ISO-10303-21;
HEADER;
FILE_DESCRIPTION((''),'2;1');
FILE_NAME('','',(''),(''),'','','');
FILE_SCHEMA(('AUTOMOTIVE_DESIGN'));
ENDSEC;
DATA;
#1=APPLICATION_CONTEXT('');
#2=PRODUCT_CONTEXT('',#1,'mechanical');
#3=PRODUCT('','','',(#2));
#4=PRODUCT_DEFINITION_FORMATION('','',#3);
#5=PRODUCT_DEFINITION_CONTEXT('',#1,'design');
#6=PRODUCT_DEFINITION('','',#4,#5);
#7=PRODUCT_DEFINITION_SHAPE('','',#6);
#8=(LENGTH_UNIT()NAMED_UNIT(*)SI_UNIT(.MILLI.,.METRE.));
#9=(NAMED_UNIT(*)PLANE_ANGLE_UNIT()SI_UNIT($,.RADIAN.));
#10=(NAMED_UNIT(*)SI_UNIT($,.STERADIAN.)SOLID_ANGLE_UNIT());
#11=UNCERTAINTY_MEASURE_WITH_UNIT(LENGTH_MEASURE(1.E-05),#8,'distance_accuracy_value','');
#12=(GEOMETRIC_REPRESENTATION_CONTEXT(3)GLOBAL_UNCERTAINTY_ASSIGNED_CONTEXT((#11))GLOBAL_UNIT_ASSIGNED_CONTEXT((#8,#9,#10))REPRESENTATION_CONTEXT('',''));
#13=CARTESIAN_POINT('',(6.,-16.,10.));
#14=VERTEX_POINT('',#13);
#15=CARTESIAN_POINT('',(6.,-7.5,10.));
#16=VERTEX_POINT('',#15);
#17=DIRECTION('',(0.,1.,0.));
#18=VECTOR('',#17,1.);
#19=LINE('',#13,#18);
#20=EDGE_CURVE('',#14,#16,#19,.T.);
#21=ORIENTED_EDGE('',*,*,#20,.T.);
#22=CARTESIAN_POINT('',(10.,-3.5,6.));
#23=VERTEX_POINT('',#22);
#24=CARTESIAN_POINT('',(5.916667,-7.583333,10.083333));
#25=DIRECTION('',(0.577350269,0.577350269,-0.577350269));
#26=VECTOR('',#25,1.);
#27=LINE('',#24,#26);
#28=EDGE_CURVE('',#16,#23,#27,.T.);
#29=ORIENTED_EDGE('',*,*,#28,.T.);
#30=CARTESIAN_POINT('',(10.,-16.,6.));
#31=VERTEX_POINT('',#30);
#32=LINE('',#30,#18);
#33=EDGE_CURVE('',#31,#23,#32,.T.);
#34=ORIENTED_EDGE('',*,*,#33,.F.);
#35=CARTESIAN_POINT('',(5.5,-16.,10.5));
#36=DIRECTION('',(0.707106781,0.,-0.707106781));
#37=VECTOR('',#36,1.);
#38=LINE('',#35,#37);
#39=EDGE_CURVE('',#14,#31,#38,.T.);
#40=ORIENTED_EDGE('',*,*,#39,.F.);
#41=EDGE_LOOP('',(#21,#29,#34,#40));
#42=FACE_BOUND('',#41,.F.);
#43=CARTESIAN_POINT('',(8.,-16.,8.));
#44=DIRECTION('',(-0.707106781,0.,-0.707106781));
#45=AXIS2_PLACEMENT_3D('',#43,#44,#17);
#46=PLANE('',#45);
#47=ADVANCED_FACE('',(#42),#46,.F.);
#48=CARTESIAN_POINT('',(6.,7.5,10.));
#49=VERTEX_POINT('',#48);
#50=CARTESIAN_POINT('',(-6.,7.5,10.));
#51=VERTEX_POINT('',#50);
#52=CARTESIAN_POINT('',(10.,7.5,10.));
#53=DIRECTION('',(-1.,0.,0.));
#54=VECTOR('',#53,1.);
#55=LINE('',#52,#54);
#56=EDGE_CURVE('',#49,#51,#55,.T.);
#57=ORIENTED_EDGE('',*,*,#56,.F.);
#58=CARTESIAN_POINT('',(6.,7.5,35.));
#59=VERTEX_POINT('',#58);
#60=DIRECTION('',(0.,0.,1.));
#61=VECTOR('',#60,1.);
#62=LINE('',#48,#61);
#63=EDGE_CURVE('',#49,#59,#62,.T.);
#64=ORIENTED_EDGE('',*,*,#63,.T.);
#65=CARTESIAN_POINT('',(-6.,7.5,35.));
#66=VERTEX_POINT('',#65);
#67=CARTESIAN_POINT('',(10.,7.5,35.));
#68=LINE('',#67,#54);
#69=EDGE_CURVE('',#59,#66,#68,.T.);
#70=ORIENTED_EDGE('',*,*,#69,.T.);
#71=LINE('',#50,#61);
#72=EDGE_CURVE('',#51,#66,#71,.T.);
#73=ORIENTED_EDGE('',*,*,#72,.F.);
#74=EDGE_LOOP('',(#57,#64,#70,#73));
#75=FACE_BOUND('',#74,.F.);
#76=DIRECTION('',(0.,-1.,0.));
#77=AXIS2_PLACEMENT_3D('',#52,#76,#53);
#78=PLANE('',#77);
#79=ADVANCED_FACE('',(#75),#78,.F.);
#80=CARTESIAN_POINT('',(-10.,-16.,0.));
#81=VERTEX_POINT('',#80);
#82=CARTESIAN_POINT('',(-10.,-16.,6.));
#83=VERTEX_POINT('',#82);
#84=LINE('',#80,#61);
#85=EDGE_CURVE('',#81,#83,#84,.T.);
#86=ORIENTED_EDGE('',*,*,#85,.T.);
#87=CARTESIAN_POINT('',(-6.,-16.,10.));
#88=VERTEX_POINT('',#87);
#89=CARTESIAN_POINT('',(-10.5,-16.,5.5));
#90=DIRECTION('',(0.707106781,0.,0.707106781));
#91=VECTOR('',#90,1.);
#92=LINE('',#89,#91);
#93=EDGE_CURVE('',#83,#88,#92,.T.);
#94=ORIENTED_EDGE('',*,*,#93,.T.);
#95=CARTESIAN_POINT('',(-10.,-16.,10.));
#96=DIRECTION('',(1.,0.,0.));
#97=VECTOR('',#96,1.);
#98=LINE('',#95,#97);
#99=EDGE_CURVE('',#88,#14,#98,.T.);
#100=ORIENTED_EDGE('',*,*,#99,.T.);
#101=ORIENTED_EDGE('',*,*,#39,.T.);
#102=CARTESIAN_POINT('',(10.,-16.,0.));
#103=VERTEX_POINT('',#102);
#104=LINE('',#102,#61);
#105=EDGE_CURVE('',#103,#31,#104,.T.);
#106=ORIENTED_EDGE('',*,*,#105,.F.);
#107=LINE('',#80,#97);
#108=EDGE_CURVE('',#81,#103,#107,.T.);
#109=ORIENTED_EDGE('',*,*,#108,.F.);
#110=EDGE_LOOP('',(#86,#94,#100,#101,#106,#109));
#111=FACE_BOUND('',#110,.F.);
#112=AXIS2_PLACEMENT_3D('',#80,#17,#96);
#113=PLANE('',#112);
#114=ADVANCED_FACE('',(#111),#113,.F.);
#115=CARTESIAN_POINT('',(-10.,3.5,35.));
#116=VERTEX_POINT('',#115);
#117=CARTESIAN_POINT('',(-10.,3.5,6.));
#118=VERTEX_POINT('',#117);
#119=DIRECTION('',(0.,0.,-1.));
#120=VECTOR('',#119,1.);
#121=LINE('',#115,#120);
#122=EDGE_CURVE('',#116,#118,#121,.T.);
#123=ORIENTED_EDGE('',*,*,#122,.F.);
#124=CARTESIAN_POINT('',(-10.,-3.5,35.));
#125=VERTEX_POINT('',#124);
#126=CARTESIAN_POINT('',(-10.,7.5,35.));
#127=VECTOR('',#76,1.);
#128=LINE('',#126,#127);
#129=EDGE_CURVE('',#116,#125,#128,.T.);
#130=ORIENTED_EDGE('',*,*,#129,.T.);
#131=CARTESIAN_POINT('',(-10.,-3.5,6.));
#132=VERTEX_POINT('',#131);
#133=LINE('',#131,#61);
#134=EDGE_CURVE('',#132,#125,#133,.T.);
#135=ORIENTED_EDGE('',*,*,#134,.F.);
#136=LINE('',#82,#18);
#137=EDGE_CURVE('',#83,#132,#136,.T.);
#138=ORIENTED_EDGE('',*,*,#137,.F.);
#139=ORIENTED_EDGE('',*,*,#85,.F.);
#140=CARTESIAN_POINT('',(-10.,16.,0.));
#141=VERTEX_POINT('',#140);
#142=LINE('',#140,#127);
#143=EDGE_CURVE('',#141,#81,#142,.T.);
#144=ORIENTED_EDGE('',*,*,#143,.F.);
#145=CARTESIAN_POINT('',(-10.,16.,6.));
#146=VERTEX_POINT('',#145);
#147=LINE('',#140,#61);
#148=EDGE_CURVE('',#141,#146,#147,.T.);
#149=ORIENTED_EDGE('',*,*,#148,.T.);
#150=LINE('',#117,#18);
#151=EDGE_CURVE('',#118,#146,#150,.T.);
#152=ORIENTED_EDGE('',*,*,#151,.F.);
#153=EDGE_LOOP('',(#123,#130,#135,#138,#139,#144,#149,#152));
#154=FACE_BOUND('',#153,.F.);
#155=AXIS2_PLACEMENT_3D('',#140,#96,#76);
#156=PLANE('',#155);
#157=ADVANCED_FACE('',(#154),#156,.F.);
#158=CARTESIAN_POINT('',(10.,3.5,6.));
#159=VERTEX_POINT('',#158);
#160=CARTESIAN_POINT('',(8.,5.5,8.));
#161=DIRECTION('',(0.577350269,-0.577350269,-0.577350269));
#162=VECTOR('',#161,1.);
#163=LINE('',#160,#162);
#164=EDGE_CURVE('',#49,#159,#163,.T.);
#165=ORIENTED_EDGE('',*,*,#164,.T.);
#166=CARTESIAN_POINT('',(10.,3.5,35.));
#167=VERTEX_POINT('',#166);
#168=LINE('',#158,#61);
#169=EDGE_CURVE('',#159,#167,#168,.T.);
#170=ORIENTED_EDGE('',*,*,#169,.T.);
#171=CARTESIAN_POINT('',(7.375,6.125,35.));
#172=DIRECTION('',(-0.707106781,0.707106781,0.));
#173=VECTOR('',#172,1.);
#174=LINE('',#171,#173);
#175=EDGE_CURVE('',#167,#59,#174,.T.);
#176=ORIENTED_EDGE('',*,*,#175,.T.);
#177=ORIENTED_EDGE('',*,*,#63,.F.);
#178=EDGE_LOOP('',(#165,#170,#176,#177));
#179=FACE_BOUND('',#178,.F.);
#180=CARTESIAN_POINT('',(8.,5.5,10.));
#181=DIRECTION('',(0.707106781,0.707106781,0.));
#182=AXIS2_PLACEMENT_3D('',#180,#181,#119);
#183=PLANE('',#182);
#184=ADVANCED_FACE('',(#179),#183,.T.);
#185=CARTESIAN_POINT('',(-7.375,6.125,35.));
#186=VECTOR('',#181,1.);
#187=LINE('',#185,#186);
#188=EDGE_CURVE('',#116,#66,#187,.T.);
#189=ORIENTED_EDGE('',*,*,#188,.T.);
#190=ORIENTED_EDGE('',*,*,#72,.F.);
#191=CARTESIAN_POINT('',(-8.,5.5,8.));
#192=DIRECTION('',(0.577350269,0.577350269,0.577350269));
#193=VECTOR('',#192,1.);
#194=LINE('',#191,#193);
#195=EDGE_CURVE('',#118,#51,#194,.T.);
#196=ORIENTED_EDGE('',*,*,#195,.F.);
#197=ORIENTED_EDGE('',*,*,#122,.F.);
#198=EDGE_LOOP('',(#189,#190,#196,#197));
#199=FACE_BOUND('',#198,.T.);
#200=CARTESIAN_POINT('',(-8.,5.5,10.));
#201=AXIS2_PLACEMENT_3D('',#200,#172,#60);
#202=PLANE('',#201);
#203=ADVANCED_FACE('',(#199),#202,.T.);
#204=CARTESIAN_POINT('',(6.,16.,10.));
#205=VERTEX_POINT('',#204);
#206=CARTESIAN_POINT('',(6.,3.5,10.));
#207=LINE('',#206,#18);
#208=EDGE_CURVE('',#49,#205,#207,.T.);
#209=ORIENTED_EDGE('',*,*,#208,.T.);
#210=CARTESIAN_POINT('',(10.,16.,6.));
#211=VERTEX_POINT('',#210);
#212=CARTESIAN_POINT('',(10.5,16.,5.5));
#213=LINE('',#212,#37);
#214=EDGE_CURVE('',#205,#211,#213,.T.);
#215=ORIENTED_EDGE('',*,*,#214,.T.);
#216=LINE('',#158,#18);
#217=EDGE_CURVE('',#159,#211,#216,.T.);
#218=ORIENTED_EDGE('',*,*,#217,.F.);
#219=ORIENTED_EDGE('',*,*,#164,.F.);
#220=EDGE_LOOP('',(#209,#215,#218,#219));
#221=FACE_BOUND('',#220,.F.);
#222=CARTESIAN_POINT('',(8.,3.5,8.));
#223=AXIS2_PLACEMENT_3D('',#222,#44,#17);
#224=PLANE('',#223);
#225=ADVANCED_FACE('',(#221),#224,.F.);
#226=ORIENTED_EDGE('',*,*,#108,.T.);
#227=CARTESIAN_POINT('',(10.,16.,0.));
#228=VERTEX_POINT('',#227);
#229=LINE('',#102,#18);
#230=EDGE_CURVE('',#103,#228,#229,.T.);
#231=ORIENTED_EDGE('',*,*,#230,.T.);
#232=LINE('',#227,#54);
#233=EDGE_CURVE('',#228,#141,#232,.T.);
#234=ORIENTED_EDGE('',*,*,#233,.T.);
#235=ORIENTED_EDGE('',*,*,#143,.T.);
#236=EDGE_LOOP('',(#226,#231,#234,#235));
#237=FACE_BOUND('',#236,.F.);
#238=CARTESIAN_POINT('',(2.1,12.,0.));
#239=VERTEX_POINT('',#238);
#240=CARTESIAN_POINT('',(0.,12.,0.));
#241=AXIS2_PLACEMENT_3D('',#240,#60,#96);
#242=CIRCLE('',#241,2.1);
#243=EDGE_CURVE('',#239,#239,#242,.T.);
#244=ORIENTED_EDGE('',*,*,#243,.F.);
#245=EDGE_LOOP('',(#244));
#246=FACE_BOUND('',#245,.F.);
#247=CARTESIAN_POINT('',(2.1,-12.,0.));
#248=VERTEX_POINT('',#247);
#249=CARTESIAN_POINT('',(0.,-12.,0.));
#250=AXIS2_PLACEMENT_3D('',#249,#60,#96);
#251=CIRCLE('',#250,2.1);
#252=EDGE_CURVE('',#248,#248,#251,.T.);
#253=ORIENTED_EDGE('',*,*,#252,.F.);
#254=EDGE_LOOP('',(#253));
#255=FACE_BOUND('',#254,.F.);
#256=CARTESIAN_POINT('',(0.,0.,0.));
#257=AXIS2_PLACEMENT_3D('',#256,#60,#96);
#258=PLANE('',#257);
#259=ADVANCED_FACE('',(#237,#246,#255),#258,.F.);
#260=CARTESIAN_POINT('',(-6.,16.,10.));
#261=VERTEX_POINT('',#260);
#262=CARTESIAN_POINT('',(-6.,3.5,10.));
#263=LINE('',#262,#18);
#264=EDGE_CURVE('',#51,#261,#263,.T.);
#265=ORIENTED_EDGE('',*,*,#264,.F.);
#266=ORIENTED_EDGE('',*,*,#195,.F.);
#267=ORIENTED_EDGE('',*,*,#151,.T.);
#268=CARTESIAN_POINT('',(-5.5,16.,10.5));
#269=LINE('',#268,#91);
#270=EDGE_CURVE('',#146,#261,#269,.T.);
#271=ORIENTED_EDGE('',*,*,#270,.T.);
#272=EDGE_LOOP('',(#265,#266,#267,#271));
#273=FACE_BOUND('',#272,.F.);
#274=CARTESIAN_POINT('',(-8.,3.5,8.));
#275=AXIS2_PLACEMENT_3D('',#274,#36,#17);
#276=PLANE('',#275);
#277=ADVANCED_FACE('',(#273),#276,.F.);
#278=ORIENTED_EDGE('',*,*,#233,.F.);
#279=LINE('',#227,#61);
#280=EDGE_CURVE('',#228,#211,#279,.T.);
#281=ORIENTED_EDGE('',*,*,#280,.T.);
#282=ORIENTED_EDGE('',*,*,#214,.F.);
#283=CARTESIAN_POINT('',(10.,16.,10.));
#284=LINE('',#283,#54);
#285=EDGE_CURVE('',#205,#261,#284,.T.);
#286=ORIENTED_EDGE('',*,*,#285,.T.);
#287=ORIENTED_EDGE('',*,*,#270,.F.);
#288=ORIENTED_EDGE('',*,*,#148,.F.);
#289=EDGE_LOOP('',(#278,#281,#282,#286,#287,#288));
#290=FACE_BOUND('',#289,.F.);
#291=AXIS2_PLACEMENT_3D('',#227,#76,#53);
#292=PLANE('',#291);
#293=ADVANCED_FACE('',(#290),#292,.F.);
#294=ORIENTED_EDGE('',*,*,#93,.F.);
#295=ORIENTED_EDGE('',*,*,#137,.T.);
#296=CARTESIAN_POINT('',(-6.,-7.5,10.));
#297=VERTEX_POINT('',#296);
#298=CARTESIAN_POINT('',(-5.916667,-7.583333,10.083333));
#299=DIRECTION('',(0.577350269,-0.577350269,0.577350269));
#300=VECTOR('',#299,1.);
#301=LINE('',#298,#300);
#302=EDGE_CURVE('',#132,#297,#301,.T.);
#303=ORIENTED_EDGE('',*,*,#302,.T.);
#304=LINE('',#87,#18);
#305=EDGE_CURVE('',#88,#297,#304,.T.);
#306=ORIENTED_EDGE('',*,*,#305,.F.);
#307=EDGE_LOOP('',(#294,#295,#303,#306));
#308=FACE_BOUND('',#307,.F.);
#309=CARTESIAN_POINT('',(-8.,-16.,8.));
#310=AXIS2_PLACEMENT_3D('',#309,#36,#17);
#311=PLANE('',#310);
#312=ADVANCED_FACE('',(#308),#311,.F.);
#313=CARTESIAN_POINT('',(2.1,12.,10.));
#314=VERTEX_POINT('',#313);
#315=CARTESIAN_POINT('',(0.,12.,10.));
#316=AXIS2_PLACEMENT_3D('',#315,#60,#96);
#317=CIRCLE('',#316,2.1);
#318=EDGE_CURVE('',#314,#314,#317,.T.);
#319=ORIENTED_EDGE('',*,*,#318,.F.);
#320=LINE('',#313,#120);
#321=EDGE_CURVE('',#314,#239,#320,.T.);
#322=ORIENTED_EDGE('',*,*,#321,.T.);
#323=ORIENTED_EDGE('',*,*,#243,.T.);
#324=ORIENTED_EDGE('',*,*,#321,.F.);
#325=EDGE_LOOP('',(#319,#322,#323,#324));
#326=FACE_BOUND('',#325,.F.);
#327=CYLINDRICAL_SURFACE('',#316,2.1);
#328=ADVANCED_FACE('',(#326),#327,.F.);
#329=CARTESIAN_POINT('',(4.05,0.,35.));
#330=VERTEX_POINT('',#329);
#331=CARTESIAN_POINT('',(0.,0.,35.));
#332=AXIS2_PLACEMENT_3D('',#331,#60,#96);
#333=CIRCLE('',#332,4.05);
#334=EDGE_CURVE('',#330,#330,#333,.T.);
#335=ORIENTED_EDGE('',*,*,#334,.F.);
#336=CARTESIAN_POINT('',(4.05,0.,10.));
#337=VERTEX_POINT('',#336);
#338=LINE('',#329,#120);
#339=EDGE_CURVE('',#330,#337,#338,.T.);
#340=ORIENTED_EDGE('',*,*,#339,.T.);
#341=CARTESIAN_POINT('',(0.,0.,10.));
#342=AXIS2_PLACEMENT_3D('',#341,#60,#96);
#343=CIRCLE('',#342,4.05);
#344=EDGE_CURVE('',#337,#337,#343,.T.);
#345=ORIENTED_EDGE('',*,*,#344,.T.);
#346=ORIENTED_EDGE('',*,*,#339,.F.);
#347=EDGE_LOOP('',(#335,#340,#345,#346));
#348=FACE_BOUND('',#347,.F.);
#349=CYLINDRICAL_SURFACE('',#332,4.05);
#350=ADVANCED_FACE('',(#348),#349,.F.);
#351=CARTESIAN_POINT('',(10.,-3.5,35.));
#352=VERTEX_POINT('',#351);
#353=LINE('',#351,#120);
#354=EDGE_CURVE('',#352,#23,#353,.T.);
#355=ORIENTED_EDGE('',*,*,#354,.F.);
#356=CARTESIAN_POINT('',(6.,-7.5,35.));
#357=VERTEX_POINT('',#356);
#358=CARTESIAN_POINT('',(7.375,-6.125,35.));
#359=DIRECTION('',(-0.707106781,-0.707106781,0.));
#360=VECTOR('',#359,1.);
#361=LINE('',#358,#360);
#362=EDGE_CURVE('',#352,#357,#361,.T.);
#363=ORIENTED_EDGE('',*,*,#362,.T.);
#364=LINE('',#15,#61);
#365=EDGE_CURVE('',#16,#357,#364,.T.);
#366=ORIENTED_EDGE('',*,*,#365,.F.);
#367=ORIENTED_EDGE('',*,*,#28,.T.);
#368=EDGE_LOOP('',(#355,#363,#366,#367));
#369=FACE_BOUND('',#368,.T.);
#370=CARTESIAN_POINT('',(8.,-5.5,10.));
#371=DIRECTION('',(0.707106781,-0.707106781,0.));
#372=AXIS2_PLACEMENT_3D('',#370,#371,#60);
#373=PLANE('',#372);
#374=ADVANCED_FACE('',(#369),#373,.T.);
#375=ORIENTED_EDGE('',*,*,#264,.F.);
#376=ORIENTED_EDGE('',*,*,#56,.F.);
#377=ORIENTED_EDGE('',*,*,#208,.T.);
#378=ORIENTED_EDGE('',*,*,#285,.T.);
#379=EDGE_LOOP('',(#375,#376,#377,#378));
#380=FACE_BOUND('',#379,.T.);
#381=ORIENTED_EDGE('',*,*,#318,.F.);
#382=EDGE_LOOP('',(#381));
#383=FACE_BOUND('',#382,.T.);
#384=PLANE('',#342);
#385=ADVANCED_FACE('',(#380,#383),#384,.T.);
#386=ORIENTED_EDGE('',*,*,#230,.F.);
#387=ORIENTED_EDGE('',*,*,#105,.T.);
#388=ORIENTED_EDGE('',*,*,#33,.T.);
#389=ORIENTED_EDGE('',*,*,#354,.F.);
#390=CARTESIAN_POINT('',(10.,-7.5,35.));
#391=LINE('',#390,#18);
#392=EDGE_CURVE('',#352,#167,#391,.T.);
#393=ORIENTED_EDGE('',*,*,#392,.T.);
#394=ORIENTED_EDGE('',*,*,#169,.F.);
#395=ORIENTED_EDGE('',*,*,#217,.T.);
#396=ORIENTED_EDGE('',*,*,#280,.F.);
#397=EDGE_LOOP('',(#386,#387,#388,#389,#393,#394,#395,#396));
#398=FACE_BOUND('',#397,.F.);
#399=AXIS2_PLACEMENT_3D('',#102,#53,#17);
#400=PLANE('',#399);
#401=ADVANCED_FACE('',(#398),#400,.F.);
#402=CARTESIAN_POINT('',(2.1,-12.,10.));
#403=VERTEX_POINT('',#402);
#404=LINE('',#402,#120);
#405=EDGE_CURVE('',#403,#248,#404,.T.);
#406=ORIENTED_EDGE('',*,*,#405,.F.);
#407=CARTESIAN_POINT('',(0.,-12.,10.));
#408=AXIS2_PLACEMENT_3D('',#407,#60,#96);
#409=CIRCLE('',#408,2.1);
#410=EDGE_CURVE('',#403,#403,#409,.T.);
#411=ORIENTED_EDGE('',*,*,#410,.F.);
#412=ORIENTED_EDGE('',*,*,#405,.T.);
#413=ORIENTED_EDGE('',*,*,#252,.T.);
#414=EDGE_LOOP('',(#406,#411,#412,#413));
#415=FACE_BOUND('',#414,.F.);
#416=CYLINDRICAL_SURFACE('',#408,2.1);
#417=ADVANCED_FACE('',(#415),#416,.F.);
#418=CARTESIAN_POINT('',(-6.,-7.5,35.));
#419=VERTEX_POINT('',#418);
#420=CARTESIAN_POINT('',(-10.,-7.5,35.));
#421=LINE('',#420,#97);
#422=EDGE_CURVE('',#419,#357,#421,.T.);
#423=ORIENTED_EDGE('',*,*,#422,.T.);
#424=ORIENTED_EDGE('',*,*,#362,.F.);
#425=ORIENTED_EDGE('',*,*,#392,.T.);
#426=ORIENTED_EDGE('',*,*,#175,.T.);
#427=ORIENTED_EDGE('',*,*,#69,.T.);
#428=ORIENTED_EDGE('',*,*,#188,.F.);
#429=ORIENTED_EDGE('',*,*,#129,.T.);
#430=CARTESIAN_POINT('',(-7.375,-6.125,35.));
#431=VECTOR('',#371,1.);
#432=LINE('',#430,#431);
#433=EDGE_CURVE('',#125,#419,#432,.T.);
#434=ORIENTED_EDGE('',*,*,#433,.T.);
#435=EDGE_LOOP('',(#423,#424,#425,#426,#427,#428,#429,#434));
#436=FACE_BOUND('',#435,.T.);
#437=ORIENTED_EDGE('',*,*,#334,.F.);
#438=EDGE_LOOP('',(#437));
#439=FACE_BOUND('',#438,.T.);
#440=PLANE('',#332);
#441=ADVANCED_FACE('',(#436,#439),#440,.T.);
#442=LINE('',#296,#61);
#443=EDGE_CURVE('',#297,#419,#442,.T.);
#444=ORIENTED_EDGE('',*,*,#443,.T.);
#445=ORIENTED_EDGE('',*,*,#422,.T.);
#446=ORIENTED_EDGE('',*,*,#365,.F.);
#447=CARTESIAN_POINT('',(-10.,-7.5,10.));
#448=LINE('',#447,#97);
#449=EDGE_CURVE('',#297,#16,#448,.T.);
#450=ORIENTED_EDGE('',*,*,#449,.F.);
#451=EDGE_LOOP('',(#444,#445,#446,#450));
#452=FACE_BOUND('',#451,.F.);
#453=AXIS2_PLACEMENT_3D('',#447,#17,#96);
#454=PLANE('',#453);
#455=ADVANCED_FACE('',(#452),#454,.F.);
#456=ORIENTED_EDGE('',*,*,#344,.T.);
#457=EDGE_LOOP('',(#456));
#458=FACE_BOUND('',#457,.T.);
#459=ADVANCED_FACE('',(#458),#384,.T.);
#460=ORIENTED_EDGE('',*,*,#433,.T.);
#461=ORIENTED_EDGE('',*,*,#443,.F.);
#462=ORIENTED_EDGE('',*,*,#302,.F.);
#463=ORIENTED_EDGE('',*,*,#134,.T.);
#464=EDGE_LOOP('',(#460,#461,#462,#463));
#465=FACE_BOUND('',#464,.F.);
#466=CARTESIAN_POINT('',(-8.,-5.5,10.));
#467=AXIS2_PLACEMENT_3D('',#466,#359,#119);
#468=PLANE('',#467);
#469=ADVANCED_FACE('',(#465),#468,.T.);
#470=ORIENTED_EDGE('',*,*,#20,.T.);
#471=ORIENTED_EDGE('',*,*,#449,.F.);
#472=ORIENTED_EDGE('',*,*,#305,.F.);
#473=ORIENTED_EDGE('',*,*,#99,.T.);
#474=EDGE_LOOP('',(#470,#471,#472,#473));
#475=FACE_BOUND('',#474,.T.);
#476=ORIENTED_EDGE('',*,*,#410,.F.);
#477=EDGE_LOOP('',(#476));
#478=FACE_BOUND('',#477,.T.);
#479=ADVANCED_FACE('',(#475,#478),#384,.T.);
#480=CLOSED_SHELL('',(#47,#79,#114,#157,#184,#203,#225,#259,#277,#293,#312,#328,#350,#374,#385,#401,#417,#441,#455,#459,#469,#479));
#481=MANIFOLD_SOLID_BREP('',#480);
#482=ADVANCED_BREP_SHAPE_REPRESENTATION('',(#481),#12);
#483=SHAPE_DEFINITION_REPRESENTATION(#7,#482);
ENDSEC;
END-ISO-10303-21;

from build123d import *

# Parameters (mm, degrees)
F1_DEPTH = 10
F3_DEPTH = 25
F4_SIZE  = 4
F5_R     = 2.1
F6_DEPTH = 10.001
F7_R     = 4.05
F8_DEPTH = 25
F9_SIZE  = 4


with BuildPart() as f1:
    # F0 (on Top) → F1 (new body)
    with BuildSketch(Plane.XY):
        Polygon((-10, 16), (-10, 0), (-10, -16), (0, -16), (10, -16), (10, 0), (10, 16), (0, 16), align=None)
    extrude(amount=F1_DEPTH)

    # F2 (on face) → F3 (join)
    with BuildSketch(Plane.XY.offset(10)):
        Polygon((10, 7.5), (0, 7.5), (-10, 7.5), (-10, -7.5), (0, -7.5), (10, -7.5), (10, 0), align=None)
    extrude(amount=F3_DEPTH)

    # F4
    f4_edges = [f1.edges().sort_by_distance(p)[0] for p in [
        (-10, -7.5, 22.5),
        (10, -7.5, 22.5),
        (10, 7.5, 22.5),
        (-10, 7.5, 22.5),
    ]]
    chamfer(f4_edges, length=F4_SIZE)

    # F5 (on face) → F6 (cut, through all)
    with BuildSketch(Plane.XY.offset(10)):
        with Locations((0, 12)):
            Circle(F5_R)
        with Locations((0, -12)):
            Circle(F5_R)
    extrude(amount=-F6_DEPTH, mode=Mode.SUBTRACT)

    # F7 (on face) → F8 (cut)
    with BuildSketch(Plane.XY.offset(35)):
        Circle(F7_R)
    extrude(amount=-F8_DEPTH, mode=Mode.SUBTRACT)

    # F9
    f9_edges = [f1.edges().sort_by_distance(p)[0] for p in [
        (-10, 9.75, 10),
        (-10, -9.75, 10),
        (10, -9.75, 10),
        (10, 9.75, 10),
    ]]
    chamfer(f9_edges, length=F9_SIZE)


solid = f1.part
